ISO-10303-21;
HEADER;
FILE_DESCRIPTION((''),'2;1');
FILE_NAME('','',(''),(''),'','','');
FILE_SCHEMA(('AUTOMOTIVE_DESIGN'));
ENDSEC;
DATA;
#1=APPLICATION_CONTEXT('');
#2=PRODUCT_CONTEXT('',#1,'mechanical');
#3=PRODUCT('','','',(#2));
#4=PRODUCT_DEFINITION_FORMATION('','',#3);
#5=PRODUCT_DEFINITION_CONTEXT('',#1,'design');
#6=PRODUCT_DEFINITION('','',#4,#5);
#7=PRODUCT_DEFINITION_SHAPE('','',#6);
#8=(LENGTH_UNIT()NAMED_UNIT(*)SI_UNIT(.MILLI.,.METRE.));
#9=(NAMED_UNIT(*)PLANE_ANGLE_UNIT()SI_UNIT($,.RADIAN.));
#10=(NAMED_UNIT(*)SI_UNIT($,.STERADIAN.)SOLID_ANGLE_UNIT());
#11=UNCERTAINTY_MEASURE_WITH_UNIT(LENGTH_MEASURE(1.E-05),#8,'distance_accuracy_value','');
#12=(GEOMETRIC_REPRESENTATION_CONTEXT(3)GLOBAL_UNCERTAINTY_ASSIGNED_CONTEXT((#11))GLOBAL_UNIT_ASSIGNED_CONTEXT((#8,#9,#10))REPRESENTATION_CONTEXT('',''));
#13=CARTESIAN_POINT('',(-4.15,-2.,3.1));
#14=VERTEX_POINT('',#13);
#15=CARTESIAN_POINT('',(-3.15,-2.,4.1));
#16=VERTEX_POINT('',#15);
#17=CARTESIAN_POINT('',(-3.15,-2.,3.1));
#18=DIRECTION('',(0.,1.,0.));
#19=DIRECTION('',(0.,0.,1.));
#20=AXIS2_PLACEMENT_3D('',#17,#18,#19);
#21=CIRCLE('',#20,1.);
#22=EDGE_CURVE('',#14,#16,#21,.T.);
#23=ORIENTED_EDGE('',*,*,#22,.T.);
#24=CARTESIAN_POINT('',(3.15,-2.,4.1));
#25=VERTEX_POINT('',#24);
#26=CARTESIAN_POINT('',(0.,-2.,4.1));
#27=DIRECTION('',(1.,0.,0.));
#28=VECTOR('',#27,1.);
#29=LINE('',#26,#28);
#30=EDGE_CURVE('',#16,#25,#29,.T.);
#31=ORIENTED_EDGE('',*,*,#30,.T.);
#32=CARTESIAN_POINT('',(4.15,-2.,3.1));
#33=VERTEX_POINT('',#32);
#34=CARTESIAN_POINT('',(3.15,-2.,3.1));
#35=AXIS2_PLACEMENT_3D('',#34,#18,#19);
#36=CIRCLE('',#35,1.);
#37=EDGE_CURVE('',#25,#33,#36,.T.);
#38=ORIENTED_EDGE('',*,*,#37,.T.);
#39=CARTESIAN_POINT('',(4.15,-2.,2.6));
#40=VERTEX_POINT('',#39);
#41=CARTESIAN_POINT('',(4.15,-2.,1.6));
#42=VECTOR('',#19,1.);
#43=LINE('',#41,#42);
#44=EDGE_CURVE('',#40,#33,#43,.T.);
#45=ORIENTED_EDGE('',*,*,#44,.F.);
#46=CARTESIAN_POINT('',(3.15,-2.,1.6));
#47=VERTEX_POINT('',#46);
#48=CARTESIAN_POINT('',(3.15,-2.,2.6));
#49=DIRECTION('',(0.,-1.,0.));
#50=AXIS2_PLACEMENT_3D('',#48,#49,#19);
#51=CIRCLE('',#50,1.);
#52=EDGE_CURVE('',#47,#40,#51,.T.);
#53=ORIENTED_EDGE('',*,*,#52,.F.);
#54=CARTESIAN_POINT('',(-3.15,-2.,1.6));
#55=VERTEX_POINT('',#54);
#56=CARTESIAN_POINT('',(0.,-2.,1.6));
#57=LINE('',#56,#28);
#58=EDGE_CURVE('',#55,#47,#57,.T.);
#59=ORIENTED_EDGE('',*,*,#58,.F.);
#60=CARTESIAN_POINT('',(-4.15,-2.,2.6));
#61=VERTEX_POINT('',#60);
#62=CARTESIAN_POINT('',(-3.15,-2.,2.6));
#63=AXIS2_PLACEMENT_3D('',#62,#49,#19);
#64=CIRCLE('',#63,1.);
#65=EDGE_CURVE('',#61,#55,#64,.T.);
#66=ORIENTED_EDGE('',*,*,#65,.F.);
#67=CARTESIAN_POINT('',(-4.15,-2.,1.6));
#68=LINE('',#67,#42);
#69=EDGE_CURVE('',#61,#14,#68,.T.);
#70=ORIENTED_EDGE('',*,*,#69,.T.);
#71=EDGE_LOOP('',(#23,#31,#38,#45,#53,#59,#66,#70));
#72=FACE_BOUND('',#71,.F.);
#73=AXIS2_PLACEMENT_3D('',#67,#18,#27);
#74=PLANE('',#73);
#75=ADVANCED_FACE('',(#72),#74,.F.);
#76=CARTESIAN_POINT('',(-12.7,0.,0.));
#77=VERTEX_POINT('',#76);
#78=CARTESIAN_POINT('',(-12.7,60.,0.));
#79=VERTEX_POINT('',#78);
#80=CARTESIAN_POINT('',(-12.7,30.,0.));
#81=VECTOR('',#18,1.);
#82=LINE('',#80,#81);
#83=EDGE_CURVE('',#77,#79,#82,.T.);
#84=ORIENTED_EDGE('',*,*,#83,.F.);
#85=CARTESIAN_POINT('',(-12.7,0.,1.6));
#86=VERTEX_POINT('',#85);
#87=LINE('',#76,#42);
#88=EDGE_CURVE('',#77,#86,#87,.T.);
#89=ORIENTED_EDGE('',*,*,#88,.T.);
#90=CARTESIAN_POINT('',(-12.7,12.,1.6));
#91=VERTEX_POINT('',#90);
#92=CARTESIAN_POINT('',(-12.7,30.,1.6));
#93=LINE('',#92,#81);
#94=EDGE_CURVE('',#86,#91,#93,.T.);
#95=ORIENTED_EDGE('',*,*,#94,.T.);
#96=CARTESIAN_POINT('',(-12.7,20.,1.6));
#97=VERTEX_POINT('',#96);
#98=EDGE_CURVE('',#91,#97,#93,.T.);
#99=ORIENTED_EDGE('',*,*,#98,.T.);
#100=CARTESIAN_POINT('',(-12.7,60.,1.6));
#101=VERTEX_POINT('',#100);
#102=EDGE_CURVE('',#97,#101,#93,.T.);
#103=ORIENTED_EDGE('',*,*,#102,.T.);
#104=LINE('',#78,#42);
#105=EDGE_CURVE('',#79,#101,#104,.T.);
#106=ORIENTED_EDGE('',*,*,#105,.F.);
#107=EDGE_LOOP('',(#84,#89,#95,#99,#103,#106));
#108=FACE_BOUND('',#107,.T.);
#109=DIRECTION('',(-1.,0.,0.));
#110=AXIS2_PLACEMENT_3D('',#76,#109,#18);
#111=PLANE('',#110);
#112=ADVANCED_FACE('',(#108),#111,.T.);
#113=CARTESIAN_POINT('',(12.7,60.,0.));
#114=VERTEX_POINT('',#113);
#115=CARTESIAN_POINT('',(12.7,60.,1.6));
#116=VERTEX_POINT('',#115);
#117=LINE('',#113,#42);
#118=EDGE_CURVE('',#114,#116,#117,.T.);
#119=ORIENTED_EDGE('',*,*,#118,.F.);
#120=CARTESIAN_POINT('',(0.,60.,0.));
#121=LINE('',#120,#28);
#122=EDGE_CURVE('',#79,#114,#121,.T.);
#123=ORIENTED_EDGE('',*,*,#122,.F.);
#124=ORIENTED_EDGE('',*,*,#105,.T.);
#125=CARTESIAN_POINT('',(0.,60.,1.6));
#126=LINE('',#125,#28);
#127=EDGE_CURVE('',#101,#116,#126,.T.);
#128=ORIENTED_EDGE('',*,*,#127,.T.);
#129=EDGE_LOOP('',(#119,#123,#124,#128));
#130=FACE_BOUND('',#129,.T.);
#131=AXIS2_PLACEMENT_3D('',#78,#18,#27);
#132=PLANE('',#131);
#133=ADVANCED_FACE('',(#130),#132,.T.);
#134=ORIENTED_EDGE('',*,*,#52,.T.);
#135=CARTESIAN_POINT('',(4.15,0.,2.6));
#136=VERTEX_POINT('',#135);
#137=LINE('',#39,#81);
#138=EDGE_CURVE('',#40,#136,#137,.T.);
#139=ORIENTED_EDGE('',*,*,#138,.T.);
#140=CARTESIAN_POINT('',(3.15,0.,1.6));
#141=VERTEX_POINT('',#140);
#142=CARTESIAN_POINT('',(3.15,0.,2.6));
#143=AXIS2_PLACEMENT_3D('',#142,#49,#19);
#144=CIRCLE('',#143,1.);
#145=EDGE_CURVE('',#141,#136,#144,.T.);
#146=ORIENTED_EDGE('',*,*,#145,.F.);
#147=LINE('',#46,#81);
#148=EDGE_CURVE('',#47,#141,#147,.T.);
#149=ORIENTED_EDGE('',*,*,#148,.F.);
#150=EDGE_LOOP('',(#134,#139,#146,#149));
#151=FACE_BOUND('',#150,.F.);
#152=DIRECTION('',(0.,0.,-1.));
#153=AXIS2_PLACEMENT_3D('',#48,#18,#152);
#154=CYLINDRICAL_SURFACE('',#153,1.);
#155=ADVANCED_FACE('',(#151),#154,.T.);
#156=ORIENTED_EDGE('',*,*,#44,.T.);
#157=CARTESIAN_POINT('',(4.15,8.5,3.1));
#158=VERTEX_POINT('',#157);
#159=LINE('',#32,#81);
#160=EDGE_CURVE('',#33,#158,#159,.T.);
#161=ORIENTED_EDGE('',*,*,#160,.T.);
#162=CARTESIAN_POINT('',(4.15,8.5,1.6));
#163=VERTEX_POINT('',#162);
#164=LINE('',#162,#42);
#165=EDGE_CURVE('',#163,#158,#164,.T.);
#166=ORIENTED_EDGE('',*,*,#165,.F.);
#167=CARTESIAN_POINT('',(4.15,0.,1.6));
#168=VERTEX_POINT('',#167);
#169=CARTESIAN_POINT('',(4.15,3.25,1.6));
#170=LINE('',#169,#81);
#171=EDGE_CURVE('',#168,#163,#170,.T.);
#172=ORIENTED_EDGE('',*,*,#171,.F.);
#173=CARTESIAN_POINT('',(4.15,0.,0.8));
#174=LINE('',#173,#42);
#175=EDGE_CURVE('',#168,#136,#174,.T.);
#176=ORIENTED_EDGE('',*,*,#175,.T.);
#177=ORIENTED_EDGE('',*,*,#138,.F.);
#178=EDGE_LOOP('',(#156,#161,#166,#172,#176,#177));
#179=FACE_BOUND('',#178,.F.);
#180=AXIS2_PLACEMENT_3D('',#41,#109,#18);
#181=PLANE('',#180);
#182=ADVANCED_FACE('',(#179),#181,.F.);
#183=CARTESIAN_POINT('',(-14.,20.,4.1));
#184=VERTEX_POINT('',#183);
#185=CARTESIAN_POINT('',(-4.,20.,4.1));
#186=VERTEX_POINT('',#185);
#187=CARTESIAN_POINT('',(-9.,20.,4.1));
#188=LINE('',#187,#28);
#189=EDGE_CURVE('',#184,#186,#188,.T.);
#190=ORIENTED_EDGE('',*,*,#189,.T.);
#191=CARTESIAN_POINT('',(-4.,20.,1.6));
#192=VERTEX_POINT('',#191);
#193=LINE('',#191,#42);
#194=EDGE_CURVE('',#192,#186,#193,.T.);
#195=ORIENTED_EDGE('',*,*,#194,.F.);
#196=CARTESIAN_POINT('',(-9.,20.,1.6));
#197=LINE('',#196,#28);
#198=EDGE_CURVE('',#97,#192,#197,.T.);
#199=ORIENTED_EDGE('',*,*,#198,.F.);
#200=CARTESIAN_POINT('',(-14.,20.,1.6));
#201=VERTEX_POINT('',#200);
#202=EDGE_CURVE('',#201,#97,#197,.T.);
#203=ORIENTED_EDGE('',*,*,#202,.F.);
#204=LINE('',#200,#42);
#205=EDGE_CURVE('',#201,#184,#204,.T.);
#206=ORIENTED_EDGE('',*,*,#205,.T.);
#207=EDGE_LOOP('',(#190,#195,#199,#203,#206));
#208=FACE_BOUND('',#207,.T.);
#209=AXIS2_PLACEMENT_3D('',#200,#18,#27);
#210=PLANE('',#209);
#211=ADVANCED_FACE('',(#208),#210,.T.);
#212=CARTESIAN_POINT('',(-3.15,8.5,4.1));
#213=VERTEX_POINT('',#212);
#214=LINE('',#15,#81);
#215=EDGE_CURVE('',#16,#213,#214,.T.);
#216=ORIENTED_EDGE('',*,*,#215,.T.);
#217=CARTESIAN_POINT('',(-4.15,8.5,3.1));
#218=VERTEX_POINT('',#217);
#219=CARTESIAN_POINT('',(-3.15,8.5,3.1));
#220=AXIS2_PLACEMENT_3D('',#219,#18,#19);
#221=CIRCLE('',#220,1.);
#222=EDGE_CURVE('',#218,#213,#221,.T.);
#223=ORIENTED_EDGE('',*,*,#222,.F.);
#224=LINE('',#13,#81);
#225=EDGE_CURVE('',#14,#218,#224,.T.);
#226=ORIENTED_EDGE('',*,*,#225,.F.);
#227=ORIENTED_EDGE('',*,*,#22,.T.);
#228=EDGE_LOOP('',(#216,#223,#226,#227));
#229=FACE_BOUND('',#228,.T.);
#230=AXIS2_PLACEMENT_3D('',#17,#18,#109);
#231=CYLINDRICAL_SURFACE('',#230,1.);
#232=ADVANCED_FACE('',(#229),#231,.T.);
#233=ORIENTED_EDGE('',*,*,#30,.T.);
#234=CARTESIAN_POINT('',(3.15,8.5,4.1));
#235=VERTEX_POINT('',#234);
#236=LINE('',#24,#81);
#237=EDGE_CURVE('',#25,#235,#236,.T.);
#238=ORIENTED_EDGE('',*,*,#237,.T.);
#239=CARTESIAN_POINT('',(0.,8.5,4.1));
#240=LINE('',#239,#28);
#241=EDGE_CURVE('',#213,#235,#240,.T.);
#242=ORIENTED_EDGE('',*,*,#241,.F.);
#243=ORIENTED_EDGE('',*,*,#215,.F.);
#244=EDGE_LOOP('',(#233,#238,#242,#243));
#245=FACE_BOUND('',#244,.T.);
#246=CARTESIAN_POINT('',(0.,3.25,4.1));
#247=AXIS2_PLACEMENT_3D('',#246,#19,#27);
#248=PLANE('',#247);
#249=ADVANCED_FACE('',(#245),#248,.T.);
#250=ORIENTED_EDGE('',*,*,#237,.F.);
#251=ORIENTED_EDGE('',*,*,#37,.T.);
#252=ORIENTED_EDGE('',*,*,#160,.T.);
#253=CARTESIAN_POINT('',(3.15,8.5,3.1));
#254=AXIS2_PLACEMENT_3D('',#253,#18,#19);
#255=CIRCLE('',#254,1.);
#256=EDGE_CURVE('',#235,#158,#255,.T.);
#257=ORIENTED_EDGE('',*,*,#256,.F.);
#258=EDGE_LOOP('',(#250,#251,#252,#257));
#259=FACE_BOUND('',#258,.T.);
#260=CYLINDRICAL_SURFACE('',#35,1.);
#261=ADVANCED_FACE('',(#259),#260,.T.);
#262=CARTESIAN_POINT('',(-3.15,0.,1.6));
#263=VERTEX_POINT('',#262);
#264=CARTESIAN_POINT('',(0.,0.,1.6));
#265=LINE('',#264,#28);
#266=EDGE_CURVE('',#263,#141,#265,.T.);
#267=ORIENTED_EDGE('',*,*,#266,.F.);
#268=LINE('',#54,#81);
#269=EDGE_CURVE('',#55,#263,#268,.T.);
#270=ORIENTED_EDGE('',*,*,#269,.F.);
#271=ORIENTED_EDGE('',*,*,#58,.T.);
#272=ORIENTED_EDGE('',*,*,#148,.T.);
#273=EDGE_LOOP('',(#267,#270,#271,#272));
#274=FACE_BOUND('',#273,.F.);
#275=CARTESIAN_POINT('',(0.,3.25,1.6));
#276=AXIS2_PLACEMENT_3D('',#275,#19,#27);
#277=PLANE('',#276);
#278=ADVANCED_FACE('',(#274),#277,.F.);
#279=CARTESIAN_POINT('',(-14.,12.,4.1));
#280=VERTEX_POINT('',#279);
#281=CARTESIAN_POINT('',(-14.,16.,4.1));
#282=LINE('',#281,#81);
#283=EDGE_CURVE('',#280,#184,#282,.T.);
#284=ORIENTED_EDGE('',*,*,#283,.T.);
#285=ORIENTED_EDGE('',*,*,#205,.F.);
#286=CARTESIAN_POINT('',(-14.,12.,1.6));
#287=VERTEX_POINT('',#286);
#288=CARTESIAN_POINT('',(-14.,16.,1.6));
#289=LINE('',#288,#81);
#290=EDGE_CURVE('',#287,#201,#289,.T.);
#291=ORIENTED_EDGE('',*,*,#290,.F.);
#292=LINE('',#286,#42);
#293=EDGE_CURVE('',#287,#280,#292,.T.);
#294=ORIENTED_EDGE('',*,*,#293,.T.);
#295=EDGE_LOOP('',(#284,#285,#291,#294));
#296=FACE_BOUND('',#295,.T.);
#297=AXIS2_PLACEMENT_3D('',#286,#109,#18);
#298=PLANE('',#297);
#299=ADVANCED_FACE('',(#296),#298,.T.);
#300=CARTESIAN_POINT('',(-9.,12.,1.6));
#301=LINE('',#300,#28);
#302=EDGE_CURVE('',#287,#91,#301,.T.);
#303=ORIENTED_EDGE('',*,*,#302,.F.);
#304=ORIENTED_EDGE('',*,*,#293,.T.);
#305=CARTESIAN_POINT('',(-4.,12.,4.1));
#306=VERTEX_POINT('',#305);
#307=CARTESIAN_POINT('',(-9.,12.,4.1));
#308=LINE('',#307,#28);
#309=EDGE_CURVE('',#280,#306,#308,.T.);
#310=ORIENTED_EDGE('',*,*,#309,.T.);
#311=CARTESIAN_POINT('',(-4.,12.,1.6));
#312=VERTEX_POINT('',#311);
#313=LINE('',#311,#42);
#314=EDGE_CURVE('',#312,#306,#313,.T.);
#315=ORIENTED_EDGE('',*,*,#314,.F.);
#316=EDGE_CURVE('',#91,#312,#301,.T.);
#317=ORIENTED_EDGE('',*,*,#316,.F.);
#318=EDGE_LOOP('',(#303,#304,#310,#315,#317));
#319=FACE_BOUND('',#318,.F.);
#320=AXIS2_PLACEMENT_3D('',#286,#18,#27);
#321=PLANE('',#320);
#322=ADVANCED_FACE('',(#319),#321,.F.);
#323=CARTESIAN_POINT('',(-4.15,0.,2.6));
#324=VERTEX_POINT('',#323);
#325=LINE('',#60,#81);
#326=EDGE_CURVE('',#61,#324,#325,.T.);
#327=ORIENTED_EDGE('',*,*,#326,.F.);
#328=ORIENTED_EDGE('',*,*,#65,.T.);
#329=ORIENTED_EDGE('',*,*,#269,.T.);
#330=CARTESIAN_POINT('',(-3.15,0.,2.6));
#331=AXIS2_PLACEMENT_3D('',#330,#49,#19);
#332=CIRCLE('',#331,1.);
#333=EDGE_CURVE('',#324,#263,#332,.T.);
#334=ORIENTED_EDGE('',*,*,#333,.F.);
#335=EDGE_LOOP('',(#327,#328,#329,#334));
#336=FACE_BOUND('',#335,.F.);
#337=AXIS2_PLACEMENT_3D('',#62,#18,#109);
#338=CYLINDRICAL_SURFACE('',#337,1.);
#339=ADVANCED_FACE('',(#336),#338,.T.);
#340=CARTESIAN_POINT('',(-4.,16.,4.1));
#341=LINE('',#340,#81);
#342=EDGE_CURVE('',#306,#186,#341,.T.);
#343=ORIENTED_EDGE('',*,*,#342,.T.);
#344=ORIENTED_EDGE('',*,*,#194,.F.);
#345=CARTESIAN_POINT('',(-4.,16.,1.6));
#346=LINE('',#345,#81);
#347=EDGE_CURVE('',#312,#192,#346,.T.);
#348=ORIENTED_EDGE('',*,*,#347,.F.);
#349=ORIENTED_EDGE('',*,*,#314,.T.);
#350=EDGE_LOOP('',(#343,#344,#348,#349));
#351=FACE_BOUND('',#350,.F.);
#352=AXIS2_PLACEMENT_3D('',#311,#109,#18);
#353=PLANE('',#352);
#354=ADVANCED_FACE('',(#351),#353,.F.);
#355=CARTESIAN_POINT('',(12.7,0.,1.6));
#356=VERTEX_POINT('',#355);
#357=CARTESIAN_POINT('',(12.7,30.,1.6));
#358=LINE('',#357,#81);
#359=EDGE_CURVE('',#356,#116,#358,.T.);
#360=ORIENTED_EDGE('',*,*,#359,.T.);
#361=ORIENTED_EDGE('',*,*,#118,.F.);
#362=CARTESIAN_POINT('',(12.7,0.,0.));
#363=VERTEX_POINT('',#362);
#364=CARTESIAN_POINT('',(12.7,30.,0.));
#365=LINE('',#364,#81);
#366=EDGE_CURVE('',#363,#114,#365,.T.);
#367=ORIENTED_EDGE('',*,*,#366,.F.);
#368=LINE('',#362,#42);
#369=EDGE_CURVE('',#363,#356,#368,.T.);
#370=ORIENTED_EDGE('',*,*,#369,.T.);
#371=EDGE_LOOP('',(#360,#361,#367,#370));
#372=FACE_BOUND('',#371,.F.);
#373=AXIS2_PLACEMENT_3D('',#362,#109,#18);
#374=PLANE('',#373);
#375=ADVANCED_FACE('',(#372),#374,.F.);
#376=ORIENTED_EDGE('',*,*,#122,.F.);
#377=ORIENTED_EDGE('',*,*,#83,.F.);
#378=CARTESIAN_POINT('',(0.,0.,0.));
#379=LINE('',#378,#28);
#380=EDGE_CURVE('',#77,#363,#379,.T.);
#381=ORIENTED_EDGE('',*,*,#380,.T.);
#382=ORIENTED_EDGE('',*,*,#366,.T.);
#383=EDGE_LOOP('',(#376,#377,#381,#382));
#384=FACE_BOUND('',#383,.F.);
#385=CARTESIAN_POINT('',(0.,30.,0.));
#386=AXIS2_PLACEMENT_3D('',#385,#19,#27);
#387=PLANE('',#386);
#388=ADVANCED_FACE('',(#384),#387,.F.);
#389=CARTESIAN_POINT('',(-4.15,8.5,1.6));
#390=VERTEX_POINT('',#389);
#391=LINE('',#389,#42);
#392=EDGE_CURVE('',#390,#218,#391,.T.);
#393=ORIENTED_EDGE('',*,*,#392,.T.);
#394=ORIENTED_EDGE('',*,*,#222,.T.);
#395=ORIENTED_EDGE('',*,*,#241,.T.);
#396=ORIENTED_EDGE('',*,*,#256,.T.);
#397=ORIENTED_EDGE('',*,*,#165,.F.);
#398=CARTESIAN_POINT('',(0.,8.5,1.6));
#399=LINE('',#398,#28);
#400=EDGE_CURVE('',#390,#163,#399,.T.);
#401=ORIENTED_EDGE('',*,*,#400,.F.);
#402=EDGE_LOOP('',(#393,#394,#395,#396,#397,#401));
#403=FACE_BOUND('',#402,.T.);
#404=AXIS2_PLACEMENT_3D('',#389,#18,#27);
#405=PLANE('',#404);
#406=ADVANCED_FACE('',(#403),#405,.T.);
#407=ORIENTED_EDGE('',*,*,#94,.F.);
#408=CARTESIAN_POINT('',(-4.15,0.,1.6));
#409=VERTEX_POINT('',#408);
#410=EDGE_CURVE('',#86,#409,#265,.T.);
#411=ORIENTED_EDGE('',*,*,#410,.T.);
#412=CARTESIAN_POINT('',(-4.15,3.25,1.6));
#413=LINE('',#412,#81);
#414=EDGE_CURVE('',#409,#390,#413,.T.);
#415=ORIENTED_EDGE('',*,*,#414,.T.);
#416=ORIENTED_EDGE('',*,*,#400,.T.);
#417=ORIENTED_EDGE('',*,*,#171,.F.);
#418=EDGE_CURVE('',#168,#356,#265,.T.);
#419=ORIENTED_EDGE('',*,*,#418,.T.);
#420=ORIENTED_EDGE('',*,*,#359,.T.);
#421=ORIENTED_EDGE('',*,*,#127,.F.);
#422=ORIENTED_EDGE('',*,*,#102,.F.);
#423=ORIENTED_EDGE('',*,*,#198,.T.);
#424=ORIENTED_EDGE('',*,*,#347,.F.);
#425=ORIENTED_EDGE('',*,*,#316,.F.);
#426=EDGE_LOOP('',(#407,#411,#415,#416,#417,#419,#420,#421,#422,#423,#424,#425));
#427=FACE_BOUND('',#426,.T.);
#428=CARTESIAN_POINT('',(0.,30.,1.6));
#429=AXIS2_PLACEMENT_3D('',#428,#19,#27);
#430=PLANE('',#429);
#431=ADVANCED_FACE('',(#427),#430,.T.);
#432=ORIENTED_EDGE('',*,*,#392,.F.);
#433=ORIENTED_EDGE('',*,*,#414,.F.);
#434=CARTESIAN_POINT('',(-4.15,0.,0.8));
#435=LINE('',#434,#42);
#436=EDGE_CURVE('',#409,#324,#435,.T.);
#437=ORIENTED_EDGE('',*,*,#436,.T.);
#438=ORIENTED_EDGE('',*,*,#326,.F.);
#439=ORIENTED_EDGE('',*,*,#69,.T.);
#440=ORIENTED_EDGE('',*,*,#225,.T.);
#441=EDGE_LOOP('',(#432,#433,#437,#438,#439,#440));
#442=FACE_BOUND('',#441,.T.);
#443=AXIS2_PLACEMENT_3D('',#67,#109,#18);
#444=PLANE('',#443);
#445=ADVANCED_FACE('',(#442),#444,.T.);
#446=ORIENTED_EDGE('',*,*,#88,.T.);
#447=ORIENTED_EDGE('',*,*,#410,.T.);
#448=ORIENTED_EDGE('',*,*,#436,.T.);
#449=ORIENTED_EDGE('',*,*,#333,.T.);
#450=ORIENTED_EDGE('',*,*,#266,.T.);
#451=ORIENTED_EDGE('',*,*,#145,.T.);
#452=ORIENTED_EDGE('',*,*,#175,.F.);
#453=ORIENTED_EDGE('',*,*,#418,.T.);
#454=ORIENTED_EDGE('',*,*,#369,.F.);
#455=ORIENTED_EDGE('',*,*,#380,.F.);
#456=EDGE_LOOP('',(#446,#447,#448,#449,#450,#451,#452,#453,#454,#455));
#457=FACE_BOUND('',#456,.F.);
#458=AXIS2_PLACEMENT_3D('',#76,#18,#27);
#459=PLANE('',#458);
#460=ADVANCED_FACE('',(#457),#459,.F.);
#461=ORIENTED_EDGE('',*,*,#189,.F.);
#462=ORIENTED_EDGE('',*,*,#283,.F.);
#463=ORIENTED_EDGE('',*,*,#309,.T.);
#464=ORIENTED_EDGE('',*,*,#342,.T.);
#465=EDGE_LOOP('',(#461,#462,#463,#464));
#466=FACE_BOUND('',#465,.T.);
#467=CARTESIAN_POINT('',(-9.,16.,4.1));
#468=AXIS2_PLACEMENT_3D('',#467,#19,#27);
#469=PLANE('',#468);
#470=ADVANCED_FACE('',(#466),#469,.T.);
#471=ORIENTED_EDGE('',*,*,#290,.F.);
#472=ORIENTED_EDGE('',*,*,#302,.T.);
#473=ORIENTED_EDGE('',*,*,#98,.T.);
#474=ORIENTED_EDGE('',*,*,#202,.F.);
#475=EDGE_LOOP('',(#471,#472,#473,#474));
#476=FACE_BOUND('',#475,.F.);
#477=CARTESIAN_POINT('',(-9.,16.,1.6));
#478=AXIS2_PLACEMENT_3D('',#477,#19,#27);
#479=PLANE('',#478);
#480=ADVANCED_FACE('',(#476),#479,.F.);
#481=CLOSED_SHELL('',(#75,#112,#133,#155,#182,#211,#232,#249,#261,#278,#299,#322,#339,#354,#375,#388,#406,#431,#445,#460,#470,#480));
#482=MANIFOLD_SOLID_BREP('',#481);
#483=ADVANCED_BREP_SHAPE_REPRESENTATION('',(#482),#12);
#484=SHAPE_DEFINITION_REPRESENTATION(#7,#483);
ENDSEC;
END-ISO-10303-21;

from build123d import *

# Parameters (mm, degrees)
SKETCH_W     = 25.4
SKETCH_H     = 60
PAD_DEPTH    = 1.6
SKETCH001_W  = 8.3
SKETCH001_H  = 10.5
PAD001_DEPTH = 2.5
FILLET_R     = 1
SKETCH002_W  = 10
SKETCH002_H  = 8
PAD002_DEPTH = 2.5


with BuildPart() as part:
    # Sketch → Pad (new body)
    with BuildSketch(Plane.XY):
        with Locations((0, 30)):
            Rectangle(SKETCH_W, SKETCH_H)
    extrude(amount=PAD_DEPTH)

    # Sketch001 (on DatumPlane) → Pad001 (join)
    with BuildSketch(Plane.XY.offset(1.6)):
        with Locations((0, 3.25)):
            Rectangle(SKETCH001_W, SKETCH001_H)
    extrude(amount=PAD001_DEPTH)

    # Fillet
    fillet_edges = [part.edges().sort_by_distance(p)[0] for p in [
        (4.15, 3.25, 4.1),
        (-4.15, 3.25, 4.1),
        (-4.15, -1, 1.6),
        (4.15, -1, 1.6),
    ]]
    fillet(fillet_edges, radius=FILLET_R)

    # Sketch002 (on DatumPlane) → Pad002 (join)
    with BuildSketch(Plane.XY.offset(1.6)):
        with Locations((-9, 16)):
            Rectangle(SKETCH002_W, SKETCH002_H)
    extrude(amount=PAD002_DEPTH)


solid = part.part
